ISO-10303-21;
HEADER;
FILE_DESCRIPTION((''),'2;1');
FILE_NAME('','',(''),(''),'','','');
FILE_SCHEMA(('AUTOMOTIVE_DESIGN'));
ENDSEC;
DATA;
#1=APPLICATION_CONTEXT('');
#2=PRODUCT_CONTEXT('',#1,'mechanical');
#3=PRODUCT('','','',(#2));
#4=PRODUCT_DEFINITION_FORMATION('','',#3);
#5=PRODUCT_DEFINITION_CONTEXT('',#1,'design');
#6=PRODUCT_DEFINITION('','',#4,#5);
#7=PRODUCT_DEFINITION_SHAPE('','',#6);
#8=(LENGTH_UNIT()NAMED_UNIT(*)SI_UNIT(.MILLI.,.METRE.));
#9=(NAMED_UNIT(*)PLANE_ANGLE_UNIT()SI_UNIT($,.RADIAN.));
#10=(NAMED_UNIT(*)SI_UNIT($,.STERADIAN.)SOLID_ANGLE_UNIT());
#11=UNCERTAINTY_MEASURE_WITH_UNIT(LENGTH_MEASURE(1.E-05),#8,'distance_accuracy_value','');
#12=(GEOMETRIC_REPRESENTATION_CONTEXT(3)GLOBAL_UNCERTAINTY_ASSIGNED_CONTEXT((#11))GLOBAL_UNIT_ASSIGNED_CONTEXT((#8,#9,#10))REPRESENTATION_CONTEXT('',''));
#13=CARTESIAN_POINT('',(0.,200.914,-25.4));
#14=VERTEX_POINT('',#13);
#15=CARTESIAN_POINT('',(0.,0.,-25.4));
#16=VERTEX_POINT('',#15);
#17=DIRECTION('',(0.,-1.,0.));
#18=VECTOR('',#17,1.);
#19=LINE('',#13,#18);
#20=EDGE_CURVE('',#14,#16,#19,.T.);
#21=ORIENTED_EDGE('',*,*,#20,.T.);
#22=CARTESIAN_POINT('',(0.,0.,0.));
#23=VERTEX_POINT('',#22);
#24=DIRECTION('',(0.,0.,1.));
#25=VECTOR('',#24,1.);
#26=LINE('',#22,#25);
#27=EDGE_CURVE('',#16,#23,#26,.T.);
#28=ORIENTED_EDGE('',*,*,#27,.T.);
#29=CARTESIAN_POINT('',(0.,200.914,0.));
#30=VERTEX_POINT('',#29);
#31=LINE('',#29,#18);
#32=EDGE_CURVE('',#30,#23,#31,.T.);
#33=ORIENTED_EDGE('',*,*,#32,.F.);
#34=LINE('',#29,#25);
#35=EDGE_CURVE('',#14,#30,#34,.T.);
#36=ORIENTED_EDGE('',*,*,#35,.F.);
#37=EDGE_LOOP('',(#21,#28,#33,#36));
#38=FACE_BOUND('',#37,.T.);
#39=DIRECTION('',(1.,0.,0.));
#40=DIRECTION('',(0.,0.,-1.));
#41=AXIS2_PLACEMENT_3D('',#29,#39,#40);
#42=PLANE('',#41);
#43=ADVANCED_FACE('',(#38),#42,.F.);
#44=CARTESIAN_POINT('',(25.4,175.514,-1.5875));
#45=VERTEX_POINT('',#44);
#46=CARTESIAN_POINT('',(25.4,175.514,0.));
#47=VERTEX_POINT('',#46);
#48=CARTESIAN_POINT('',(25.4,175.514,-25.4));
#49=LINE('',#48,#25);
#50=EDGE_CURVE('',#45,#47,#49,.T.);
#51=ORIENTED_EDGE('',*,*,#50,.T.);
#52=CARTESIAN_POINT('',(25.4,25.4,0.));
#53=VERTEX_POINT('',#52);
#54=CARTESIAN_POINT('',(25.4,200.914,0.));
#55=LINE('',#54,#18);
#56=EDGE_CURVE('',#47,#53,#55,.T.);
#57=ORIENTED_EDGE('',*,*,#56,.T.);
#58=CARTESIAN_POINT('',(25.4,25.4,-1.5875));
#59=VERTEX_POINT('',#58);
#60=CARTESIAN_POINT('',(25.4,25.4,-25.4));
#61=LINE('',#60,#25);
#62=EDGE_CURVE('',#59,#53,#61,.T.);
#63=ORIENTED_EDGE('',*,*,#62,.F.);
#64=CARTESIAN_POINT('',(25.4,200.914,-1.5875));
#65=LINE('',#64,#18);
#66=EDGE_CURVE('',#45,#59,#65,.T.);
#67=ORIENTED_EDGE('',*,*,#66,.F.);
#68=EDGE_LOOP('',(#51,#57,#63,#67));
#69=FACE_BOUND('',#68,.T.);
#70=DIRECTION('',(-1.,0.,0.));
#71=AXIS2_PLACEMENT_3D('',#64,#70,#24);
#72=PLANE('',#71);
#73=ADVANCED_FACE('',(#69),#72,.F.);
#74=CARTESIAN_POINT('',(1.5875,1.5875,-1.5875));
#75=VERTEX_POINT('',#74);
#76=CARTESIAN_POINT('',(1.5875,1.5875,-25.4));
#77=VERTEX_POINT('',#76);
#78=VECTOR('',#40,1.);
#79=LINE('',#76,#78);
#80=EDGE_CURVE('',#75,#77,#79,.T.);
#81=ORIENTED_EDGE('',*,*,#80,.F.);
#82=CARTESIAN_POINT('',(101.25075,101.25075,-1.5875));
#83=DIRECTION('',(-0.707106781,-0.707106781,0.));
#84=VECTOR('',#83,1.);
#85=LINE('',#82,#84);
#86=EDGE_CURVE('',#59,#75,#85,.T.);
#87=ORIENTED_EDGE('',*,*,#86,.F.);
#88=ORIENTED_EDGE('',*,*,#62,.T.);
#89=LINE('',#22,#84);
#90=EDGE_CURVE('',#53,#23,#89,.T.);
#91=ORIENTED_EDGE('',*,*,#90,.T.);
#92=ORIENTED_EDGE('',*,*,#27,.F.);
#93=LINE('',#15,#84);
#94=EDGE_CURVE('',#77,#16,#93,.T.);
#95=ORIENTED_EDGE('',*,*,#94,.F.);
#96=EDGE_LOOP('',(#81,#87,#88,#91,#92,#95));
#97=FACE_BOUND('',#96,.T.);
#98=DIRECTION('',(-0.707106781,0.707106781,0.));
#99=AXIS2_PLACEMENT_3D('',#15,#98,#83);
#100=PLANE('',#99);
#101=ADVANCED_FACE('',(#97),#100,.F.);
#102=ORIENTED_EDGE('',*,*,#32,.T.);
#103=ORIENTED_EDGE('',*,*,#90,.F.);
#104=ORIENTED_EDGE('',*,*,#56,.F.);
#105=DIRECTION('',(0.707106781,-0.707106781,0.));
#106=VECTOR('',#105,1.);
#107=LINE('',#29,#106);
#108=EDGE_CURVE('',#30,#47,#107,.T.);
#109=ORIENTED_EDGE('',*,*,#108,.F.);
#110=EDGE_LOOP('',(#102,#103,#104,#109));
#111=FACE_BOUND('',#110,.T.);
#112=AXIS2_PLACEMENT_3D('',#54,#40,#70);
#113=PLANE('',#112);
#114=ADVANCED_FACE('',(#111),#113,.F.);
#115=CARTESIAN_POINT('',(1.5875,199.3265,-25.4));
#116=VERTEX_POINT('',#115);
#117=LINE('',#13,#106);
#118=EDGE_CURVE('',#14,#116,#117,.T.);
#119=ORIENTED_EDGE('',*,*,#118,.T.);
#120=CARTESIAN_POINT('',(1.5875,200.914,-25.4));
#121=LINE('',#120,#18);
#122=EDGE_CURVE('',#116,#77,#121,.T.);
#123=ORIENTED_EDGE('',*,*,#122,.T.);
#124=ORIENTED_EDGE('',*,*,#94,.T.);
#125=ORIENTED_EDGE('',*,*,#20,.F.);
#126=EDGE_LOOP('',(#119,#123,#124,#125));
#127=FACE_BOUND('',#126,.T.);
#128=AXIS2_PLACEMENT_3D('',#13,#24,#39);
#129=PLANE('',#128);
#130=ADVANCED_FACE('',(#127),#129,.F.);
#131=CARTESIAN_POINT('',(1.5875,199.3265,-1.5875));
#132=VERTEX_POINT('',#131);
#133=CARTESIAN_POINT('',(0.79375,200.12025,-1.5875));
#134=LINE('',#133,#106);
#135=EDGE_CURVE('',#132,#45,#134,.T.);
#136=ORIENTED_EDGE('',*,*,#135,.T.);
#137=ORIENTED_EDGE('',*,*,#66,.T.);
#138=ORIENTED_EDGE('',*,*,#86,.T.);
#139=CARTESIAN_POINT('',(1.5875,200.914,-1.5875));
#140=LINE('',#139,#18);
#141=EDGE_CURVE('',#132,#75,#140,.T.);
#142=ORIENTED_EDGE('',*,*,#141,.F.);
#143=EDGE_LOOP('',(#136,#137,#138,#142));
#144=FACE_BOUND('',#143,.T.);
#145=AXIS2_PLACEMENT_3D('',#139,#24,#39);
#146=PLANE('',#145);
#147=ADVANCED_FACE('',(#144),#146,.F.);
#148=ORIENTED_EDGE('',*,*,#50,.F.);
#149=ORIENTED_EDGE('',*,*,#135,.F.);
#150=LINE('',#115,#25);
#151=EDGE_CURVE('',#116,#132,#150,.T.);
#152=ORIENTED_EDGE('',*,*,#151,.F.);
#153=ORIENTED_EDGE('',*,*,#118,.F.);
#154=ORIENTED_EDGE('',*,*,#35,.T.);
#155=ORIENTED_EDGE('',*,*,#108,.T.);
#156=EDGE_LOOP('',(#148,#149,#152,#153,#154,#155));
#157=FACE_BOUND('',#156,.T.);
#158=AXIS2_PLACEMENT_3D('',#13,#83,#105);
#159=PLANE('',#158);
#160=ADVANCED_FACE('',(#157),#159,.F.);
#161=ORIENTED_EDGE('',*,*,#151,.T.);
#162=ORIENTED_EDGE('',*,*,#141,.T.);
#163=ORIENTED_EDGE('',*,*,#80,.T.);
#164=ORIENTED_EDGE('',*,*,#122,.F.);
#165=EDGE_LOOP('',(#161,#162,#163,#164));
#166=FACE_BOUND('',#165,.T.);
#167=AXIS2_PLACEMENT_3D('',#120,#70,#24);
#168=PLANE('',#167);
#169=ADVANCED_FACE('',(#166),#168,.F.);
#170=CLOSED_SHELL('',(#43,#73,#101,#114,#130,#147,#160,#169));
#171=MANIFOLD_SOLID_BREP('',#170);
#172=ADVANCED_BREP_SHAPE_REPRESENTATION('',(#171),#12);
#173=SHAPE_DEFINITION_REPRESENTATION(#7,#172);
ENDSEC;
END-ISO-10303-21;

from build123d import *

# Parameters (mm, degrees)
BOSS_EXTRUDE2_DEPTH = 200.914
CUT_EXTRUDE1_DEPTH  = 26.4
CUT_EXTRUDE2_DEPTH  = 26.4


with BuildPart() as part:
    # Sketch2 → Boss-Extrude2 (new body)
    with BuildSketch(Plane(origin=(0, 0, 0), x_dir=(1, 0, 0), z_dir=(0, 1, 0))):
        Polygon((0, 0), (0, 25.4), (1.5875, 25.4), (1.5875, 1.5875), (25.4, 1.5875), (25.4, 0), align=None)
    extrude(amount=BOSS_EXTRUDE2_DEPTH)

    # Sketch4 → Cut-Extrude1 (cut, through all)
    with BuildSketch(Plane.XY):
        Polygon((0, 200.914), (25.4, 175.514), (25.4, 200.914), align=None)
    extrude(amount=-CUT_EXTRUDE1_DEPTH, mode=Mode.SUBTRACT)

    # Sketch5 → Cut-Extrude2 (cut, through all)
    with BuildSketch(Plane.XY):
        Polygon((0, 0), (25.4, 25.4), (25.4, 0), align=None)
    extrude(amount=-CUT_EXTRUDE2_DEPTH, mode=Mode.SUBTRACT)


solid = part.part
